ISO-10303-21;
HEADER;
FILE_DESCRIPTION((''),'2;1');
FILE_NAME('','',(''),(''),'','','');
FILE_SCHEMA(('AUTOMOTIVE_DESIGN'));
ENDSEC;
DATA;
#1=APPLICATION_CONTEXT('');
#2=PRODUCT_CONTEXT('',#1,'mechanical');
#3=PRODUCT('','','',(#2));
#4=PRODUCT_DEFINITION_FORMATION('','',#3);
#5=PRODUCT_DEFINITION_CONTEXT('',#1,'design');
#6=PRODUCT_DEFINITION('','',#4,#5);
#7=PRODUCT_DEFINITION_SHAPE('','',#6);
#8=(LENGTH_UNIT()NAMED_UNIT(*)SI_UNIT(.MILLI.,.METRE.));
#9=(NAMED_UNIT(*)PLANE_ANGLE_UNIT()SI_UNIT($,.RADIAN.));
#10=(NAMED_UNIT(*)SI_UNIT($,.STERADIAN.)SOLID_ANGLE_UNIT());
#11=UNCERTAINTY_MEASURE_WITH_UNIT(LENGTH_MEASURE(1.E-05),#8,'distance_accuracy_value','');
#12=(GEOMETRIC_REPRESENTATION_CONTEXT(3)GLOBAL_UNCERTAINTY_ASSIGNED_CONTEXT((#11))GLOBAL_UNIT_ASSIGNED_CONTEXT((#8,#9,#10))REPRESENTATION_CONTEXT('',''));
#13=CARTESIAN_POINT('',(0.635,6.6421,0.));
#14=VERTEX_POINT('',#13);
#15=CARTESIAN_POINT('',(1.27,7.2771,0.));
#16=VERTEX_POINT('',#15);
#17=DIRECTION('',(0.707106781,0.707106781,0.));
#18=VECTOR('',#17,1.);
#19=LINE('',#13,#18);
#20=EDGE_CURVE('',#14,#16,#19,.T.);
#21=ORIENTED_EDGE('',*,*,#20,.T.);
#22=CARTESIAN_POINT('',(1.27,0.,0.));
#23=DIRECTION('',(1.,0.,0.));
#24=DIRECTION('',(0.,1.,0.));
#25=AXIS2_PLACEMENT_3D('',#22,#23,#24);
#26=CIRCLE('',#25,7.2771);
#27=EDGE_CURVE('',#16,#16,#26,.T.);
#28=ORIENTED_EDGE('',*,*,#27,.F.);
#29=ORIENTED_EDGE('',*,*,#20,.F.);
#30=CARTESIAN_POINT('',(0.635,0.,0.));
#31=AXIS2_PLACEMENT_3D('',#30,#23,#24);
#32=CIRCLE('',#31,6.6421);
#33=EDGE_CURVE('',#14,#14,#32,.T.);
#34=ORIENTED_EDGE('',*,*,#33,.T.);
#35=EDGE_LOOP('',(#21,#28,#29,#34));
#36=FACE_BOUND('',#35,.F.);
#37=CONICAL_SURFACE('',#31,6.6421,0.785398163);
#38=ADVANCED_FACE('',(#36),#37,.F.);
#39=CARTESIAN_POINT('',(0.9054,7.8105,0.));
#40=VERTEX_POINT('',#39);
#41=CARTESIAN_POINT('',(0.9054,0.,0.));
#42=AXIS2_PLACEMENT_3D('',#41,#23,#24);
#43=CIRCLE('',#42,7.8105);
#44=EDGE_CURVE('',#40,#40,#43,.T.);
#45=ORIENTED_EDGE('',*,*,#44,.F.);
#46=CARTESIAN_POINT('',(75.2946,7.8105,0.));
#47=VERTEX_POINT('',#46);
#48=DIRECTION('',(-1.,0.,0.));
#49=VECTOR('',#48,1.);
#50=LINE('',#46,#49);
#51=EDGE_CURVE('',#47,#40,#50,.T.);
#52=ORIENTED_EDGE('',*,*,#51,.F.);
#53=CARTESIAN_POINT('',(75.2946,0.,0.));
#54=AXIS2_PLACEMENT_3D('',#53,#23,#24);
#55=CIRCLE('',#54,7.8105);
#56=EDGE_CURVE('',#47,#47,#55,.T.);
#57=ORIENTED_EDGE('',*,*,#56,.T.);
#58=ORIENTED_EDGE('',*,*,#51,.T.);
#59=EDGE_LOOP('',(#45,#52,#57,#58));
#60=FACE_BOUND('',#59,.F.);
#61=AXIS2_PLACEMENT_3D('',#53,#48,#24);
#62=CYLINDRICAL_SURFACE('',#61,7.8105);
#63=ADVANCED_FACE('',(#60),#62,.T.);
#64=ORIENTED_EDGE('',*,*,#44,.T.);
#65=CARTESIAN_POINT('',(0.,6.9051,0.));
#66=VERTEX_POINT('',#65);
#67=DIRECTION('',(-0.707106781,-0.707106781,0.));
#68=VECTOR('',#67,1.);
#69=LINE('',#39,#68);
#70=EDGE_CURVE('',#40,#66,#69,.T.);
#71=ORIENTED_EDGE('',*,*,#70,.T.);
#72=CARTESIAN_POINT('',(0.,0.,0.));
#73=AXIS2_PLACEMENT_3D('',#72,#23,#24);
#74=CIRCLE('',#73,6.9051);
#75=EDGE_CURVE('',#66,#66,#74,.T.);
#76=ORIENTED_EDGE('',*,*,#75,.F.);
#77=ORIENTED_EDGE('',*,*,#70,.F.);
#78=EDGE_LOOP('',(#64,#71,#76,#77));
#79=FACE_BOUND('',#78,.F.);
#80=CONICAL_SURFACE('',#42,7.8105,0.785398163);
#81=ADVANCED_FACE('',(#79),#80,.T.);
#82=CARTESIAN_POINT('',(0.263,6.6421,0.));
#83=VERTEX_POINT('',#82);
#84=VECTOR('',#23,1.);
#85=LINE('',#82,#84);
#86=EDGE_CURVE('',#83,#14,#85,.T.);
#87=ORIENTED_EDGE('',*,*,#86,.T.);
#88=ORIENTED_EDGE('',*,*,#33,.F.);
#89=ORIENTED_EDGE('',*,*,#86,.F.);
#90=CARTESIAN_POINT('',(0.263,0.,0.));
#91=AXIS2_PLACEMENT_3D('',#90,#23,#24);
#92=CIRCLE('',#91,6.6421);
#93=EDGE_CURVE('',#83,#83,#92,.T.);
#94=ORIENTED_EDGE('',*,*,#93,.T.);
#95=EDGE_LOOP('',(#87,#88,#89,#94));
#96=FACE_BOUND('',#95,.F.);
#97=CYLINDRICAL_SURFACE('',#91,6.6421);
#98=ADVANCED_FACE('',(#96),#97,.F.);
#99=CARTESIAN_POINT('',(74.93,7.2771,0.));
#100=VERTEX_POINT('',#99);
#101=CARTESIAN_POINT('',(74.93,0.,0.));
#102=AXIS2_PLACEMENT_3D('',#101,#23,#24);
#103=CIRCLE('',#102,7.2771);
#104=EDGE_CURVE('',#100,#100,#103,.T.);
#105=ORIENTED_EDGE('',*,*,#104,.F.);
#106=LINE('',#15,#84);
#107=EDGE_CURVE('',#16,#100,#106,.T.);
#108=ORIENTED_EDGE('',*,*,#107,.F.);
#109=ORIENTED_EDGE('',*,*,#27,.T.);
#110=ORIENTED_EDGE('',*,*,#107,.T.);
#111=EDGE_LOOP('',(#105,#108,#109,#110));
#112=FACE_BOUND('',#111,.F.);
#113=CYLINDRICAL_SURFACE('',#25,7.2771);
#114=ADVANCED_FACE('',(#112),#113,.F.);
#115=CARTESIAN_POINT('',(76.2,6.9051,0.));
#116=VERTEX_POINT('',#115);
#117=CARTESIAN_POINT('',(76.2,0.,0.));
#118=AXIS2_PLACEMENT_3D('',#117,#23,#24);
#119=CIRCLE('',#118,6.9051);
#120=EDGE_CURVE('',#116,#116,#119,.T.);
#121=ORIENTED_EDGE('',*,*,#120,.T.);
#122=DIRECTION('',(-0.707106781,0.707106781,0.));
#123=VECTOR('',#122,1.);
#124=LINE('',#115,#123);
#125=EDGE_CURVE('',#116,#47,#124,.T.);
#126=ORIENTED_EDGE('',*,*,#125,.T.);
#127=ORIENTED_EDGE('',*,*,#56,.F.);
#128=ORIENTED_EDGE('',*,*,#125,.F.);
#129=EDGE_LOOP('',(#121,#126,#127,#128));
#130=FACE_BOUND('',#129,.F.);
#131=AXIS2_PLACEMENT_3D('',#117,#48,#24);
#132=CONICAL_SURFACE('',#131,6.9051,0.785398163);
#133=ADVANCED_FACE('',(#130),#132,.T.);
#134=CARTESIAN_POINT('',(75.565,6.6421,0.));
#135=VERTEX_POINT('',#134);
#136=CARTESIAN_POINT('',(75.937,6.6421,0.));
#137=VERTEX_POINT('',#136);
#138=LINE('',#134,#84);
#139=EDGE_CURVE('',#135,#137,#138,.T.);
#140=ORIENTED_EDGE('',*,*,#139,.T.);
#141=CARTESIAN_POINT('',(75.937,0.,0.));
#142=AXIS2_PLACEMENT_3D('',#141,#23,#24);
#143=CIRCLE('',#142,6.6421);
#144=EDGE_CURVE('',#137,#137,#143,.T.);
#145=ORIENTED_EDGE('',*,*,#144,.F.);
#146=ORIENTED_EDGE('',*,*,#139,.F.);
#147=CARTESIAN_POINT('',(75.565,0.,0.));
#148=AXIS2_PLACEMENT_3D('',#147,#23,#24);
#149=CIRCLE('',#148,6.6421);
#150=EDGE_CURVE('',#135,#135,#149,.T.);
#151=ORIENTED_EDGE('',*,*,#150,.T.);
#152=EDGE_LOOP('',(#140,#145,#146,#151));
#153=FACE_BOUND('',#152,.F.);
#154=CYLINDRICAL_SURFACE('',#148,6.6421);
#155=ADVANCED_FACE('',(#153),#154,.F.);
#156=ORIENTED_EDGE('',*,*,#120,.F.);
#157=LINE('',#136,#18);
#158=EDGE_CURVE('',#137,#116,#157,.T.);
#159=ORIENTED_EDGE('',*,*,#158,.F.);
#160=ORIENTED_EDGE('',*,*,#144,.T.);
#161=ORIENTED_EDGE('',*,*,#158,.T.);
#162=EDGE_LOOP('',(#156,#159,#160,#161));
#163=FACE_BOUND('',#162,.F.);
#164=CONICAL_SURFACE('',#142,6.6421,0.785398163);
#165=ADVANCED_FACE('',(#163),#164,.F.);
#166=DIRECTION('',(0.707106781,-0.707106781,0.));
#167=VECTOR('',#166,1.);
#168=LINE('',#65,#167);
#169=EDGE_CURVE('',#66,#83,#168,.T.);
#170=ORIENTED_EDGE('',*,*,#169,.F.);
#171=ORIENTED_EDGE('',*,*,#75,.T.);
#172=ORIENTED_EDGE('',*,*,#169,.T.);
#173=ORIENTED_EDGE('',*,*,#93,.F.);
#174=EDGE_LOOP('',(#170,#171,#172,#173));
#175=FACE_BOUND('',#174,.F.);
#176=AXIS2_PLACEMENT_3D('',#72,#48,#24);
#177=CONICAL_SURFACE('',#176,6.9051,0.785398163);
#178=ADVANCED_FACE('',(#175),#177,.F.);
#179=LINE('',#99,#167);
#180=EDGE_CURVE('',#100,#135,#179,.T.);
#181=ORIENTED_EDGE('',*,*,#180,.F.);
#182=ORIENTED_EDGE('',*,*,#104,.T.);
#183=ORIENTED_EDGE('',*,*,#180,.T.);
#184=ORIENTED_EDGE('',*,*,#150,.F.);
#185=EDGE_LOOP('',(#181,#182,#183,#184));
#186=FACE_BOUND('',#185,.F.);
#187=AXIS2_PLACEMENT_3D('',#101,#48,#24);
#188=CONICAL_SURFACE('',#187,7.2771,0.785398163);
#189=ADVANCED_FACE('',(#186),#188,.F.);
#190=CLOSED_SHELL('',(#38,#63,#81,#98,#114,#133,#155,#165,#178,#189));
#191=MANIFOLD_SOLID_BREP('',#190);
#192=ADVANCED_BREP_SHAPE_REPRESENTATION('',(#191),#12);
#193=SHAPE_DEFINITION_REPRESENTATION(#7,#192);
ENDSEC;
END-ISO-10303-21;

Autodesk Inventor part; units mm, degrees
sketch "Sketch_5" plane through (0, 0, 0) normal (0, 0, 1) x (1, 0, 0)
  line L0 (76.2, 0) -> (-76.2, 0)
  line L1 (0, 6.9051) -> (0.263, 6.6421)
  line L2 (0.263, 6.6421) -> (0.635, 6.6421)
  line L3 (0.635, 6.6421) -> (1.27, 7.2771)
  line L4 (1.27, 7.2771) -> (74.93, 7.2771)
  line L5 (74.93, 7.2771) -> (75.565, 6.6421)
  line L6 (75.565, 6.6421) -> (75.937, 6.6421)
  line L7 (75.937, 6.6421) -> (76.2, 6.9051)
  line L8 (76.2, 6.9051) -> (75.2946, 7.8105)
  line L9 (75.2946, 7.8105) -> (0.9054, 7.8105)
  line L10 (0.9054, 7.8105) -> (0, 6.9051)
revolve "Revolution1" add sketch "Sketch_5" angle 360 about axis through (76.2, 0, 0) along (1, 0, 0)
ref_plane "o1_XY" through (0, -7.8105, 0) normal (1, 0, 0) x (0, 0, -1)
ref_plane "o1_YZ" through (0, -7.8105, 0) normal (0, 0, -1) x (0, 1, 0)
ref_plane "o1_ZX" through (0, -7.8105, 0) normal (0, 1, 0) x (1, 0, 0)
ref_plane "o2_XY" through (0, 7.8105, 0) normal (1, 0, 0) x (0, 0, -1)
ref_plane "o2_YZ" through (0, 7.8105, 0) normal (0, 0, -1) x (0, 1, 0)
ref_plane "o2_ZX" through (0, 7.8105, 0) normal (0, 1, 0) x (1, 0, 0)
ref_plane "t1_XY" through (38.1, 7.8105, 0) normal (1, 0, 0) x (0, 0, -1)
ref_plane "t1_YZ" through (38.1, 7.8105, 0) normal (0, 0, -1) x (0, 1, 0)
ref_plane "t1_ZX" through (38.1, 7.8105, 0) normal (0, 1, 0) x (1, 0, 0)
ref_plane "t2_XY" through (38.1, 0, -7.8105) normal (1, 0, 0) x (0, 0, -1)
ref_plane "t2_YZ" through (38.1, 0, -7.8105) normal (0, 0, -1) x (0, 1, 0)
ref_plane "t2_ZX" through (38.1, 0, -7.8105) normal (0, 1, 0) x (1, 0, 0)
ref_plane "t3_XY" through (38.1, -7.8105, 0) normal (1, 0, 0) x (0, 0, -1)
ref_plane "t3_YZ" through (38.1, -7.8105, 0) normal (0, 0, -1) x (0, 1, 0)
ref_plane "t3_ZX" through (38.1, -7.8105, 0) normal (0, 1, 0) x (1, 0, 0)
ref_plane "t4_XY" through (38.1, 0, 7.8105) normal (1, 0, 0) x (0, 0, -1)
ref_plane "t4_YZ" through (38.1, 0, 7.8105) normal (0, 0, -1) x (0, 1, 0)
ref_plane "t4_ZX" through (38.1, 0, 7.8105) normal (0, 1, 0) x (1, 0, 0)
ref_plane "tube1_XY" through (1.27, 0, 0) normal (1, 0, 0) x (0, 0, -1)
ref_plane "tube1_YZ" through (1.27, 0, 0) normal (0, 0, -1) x (0, 1, 0)
ref_plane "tube1_ZX" through (1.27, 0, 0) normal (0, 1, 0) x (1, 0, 0)
ref_plane "tube2_XY" through (74.93, 0, 0) normal (1, 0, 0) x (0, 0, -1)
ref_plane "tube2_YZ" through (74.93, 0, 0) normal (0, 0, -1) x (0, 1, 0)
ref_plane "tube2_ZX" through (74.93, 0, 0) normal (0, 1, 0) x (1, 0, 0)
properties part number "D-7516XP-3"
